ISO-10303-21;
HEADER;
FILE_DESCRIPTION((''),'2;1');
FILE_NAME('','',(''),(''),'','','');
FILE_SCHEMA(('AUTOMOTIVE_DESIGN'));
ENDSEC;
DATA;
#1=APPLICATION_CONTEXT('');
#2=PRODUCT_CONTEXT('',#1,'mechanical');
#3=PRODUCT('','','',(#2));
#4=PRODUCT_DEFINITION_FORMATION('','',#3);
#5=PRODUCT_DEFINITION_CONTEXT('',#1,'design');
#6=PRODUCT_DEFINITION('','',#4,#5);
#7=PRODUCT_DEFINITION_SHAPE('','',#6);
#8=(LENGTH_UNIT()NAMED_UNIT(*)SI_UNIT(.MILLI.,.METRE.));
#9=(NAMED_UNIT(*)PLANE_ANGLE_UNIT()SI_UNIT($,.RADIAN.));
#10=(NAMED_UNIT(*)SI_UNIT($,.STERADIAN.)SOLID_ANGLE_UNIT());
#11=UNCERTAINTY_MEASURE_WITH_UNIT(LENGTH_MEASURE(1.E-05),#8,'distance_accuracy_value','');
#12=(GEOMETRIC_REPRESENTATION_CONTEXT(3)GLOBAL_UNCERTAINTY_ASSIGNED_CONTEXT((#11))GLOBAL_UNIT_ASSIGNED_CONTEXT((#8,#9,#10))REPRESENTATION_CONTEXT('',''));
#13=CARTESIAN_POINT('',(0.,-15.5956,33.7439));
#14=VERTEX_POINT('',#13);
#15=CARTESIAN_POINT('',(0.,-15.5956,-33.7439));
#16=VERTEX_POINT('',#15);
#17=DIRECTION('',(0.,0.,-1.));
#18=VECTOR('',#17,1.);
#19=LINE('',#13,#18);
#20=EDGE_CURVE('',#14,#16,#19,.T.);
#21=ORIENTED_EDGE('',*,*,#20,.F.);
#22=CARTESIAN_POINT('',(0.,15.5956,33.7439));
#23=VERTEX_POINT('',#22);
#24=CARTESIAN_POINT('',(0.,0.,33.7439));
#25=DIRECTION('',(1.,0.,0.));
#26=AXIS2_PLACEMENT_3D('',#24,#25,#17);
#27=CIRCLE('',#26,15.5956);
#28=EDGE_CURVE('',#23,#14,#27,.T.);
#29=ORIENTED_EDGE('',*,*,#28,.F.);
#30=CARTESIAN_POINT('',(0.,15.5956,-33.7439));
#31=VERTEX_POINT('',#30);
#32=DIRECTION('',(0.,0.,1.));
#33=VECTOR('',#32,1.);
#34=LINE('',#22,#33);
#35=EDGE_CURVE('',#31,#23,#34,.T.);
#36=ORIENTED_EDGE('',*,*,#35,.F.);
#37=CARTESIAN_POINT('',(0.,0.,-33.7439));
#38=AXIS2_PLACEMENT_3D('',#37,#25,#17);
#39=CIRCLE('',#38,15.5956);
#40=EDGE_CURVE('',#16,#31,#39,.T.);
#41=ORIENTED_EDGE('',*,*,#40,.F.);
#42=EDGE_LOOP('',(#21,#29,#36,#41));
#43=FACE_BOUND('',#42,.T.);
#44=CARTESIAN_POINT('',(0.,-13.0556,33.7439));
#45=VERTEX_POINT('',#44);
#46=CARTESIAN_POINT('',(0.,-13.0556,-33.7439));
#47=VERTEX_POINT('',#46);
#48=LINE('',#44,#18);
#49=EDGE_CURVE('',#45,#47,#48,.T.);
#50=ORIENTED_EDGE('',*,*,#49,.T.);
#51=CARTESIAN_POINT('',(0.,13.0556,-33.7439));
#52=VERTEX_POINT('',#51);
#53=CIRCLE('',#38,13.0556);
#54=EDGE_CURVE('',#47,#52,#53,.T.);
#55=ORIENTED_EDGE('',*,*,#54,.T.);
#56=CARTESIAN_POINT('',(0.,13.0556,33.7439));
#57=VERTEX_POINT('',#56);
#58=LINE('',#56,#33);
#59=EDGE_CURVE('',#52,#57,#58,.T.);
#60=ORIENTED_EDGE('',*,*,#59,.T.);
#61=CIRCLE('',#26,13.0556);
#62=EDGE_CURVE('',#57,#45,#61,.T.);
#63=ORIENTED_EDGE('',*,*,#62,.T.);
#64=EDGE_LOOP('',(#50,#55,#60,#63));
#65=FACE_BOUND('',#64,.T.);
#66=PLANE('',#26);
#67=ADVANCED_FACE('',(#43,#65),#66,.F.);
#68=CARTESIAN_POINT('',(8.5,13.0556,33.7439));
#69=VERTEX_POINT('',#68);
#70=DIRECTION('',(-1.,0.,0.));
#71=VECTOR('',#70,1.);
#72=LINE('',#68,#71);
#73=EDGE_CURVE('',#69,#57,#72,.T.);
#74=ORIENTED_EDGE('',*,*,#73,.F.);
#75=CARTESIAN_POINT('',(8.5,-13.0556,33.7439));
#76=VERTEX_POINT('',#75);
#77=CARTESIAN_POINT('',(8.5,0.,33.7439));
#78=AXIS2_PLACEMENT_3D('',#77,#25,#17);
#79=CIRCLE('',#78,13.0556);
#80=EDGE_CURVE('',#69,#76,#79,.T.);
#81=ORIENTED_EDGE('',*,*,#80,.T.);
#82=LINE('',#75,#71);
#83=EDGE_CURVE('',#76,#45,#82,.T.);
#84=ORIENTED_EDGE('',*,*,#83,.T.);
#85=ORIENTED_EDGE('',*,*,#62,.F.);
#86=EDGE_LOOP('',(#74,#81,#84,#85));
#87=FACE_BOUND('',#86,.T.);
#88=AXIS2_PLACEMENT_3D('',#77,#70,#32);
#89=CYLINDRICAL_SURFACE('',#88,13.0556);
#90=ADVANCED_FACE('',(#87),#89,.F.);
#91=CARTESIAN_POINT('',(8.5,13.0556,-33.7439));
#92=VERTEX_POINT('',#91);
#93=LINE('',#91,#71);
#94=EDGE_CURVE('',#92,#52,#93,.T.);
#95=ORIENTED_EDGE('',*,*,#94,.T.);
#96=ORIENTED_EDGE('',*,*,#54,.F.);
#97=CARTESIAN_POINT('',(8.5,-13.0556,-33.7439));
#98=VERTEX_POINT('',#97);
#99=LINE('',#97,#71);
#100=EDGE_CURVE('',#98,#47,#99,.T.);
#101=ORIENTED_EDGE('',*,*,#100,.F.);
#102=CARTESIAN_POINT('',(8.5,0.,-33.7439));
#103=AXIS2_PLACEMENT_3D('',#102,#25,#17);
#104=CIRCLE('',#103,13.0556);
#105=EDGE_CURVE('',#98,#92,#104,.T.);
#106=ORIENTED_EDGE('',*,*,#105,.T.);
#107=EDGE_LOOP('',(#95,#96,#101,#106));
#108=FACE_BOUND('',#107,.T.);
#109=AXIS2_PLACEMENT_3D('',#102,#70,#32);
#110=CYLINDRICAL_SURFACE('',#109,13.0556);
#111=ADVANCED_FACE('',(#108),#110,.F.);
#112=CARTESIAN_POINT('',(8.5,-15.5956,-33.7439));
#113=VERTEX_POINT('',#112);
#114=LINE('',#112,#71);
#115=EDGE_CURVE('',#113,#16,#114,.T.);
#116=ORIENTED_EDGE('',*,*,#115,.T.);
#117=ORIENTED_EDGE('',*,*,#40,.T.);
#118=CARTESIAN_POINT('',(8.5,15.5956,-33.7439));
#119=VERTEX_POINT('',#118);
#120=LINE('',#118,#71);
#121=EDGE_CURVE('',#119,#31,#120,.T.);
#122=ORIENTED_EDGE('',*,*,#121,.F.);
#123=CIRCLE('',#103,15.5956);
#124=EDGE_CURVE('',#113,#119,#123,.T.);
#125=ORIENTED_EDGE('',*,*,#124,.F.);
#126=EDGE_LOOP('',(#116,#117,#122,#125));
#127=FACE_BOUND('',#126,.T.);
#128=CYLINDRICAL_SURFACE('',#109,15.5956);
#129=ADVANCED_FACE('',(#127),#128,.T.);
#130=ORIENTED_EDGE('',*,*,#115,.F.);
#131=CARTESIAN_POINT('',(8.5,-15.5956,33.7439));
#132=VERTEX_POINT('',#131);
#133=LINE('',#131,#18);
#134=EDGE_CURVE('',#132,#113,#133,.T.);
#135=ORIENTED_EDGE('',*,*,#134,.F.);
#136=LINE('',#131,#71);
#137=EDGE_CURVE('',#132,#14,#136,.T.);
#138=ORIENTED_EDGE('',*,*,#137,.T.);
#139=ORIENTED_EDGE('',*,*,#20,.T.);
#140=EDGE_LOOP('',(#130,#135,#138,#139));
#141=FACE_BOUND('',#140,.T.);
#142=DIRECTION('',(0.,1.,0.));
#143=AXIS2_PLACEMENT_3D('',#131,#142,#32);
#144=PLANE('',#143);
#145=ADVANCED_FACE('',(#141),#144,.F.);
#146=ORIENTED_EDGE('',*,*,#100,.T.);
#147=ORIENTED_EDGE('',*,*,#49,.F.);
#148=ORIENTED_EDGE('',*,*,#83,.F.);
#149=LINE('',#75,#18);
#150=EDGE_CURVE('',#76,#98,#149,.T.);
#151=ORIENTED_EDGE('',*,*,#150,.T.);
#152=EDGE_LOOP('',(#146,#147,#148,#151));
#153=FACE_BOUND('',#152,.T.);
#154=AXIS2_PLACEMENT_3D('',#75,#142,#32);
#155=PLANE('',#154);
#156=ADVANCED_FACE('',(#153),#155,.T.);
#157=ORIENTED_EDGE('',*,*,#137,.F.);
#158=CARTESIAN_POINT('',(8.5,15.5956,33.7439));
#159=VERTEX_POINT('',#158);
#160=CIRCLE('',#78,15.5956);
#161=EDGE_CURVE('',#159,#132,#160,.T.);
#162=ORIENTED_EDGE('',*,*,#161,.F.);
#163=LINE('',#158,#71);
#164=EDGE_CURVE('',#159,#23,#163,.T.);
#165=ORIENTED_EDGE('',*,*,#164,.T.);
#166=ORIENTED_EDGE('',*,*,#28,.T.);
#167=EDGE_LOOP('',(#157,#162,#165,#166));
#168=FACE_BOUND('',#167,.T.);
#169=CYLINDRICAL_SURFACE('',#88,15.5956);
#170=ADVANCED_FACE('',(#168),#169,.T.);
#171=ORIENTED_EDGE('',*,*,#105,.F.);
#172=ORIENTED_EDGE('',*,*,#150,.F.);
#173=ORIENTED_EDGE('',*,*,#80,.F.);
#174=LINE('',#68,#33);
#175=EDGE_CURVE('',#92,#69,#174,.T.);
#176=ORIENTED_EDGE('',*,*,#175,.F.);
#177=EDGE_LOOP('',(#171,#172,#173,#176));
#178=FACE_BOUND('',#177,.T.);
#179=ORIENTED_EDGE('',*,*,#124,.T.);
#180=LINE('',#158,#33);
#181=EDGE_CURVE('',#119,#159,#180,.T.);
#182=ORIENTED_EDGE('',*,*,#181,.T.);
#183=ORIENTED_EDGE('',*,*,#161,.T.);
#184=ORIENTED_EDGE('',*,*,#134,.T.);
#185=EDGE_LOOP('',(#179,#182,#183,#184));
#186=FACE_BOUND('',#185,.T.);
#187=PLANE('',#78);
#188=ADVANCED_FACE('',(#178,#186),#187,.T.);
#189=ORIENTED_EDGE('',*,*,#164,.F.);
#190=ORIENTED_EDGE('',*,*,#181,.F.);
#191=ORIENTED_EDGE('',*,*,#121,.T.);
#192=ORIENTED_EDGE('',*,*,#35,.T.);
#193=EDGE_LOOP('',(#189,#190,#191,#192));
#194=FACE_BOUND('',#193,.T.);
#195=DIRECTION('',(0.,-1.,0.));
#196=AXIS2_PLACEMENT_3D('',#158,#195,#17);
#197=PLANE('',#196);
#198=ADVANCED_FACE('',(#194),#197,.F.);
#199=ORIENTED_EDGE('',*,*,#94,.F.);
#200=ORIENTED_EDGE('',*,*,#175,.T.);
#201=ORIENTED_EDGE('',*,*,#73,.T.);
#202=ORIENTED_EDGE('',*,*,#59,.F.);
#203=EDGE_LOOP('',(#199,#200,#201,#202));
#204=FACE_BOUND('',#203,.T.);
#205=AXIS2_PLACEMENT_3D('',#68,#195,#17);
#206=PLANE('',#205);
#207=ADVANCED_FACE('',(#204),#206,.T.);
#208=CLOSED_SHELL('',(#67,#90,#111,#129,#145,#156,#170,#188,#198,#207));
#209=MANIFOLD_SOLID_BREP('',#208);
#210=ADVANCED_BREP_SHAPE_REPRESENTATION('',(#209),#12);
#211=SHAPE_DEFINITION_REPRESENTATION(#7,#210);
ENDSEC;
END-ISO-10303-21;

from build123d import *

# Parameters (mm, degrees)
EXTRUDE_THIN1_DEPTH = 8.5


with BuildPart() as part:
    # Sketch1 → Extrude-Thin1 (new body)
    with BuildSketch(Plane(origin=(0, 0, 0), x_dir=(0, 0, -1), z_dir=(1, 0, 0))):
        with BuildLine():
            Line((33.7439, -15.5956), (-33.7439, -15.5956))
            ThreePointArc((-33.7439, -15.5956), (-49.3395, 0), (-33.7439, 15.5956))
            Line((-33.7439, 15.5956), (33.7439, 15.5956))
            ThreePointArc((33.7439, 15.5956), (49.3395, 0), (33.7439, -15.5956))
        make_face()
        with BuildLine():
            Line((33.7439, -13.0556), (-33.7439, -13.0556))
            ThreePointArc((-33.7439, -13.0556), (-46.7995, 0), (-33.7439, 13.0556))
            Line((-33.7439, 13.0556), (33.7439, 13.0556))
            ThreePointArc((33.7439, 13.0556), (46.7995, 0), (33.7439, -13.0556))
        make_face(mode=Mode.SUBTRACT)
    extrude(amount=EXTRUDE_THIN1_DEPTH)


solid = part.part
